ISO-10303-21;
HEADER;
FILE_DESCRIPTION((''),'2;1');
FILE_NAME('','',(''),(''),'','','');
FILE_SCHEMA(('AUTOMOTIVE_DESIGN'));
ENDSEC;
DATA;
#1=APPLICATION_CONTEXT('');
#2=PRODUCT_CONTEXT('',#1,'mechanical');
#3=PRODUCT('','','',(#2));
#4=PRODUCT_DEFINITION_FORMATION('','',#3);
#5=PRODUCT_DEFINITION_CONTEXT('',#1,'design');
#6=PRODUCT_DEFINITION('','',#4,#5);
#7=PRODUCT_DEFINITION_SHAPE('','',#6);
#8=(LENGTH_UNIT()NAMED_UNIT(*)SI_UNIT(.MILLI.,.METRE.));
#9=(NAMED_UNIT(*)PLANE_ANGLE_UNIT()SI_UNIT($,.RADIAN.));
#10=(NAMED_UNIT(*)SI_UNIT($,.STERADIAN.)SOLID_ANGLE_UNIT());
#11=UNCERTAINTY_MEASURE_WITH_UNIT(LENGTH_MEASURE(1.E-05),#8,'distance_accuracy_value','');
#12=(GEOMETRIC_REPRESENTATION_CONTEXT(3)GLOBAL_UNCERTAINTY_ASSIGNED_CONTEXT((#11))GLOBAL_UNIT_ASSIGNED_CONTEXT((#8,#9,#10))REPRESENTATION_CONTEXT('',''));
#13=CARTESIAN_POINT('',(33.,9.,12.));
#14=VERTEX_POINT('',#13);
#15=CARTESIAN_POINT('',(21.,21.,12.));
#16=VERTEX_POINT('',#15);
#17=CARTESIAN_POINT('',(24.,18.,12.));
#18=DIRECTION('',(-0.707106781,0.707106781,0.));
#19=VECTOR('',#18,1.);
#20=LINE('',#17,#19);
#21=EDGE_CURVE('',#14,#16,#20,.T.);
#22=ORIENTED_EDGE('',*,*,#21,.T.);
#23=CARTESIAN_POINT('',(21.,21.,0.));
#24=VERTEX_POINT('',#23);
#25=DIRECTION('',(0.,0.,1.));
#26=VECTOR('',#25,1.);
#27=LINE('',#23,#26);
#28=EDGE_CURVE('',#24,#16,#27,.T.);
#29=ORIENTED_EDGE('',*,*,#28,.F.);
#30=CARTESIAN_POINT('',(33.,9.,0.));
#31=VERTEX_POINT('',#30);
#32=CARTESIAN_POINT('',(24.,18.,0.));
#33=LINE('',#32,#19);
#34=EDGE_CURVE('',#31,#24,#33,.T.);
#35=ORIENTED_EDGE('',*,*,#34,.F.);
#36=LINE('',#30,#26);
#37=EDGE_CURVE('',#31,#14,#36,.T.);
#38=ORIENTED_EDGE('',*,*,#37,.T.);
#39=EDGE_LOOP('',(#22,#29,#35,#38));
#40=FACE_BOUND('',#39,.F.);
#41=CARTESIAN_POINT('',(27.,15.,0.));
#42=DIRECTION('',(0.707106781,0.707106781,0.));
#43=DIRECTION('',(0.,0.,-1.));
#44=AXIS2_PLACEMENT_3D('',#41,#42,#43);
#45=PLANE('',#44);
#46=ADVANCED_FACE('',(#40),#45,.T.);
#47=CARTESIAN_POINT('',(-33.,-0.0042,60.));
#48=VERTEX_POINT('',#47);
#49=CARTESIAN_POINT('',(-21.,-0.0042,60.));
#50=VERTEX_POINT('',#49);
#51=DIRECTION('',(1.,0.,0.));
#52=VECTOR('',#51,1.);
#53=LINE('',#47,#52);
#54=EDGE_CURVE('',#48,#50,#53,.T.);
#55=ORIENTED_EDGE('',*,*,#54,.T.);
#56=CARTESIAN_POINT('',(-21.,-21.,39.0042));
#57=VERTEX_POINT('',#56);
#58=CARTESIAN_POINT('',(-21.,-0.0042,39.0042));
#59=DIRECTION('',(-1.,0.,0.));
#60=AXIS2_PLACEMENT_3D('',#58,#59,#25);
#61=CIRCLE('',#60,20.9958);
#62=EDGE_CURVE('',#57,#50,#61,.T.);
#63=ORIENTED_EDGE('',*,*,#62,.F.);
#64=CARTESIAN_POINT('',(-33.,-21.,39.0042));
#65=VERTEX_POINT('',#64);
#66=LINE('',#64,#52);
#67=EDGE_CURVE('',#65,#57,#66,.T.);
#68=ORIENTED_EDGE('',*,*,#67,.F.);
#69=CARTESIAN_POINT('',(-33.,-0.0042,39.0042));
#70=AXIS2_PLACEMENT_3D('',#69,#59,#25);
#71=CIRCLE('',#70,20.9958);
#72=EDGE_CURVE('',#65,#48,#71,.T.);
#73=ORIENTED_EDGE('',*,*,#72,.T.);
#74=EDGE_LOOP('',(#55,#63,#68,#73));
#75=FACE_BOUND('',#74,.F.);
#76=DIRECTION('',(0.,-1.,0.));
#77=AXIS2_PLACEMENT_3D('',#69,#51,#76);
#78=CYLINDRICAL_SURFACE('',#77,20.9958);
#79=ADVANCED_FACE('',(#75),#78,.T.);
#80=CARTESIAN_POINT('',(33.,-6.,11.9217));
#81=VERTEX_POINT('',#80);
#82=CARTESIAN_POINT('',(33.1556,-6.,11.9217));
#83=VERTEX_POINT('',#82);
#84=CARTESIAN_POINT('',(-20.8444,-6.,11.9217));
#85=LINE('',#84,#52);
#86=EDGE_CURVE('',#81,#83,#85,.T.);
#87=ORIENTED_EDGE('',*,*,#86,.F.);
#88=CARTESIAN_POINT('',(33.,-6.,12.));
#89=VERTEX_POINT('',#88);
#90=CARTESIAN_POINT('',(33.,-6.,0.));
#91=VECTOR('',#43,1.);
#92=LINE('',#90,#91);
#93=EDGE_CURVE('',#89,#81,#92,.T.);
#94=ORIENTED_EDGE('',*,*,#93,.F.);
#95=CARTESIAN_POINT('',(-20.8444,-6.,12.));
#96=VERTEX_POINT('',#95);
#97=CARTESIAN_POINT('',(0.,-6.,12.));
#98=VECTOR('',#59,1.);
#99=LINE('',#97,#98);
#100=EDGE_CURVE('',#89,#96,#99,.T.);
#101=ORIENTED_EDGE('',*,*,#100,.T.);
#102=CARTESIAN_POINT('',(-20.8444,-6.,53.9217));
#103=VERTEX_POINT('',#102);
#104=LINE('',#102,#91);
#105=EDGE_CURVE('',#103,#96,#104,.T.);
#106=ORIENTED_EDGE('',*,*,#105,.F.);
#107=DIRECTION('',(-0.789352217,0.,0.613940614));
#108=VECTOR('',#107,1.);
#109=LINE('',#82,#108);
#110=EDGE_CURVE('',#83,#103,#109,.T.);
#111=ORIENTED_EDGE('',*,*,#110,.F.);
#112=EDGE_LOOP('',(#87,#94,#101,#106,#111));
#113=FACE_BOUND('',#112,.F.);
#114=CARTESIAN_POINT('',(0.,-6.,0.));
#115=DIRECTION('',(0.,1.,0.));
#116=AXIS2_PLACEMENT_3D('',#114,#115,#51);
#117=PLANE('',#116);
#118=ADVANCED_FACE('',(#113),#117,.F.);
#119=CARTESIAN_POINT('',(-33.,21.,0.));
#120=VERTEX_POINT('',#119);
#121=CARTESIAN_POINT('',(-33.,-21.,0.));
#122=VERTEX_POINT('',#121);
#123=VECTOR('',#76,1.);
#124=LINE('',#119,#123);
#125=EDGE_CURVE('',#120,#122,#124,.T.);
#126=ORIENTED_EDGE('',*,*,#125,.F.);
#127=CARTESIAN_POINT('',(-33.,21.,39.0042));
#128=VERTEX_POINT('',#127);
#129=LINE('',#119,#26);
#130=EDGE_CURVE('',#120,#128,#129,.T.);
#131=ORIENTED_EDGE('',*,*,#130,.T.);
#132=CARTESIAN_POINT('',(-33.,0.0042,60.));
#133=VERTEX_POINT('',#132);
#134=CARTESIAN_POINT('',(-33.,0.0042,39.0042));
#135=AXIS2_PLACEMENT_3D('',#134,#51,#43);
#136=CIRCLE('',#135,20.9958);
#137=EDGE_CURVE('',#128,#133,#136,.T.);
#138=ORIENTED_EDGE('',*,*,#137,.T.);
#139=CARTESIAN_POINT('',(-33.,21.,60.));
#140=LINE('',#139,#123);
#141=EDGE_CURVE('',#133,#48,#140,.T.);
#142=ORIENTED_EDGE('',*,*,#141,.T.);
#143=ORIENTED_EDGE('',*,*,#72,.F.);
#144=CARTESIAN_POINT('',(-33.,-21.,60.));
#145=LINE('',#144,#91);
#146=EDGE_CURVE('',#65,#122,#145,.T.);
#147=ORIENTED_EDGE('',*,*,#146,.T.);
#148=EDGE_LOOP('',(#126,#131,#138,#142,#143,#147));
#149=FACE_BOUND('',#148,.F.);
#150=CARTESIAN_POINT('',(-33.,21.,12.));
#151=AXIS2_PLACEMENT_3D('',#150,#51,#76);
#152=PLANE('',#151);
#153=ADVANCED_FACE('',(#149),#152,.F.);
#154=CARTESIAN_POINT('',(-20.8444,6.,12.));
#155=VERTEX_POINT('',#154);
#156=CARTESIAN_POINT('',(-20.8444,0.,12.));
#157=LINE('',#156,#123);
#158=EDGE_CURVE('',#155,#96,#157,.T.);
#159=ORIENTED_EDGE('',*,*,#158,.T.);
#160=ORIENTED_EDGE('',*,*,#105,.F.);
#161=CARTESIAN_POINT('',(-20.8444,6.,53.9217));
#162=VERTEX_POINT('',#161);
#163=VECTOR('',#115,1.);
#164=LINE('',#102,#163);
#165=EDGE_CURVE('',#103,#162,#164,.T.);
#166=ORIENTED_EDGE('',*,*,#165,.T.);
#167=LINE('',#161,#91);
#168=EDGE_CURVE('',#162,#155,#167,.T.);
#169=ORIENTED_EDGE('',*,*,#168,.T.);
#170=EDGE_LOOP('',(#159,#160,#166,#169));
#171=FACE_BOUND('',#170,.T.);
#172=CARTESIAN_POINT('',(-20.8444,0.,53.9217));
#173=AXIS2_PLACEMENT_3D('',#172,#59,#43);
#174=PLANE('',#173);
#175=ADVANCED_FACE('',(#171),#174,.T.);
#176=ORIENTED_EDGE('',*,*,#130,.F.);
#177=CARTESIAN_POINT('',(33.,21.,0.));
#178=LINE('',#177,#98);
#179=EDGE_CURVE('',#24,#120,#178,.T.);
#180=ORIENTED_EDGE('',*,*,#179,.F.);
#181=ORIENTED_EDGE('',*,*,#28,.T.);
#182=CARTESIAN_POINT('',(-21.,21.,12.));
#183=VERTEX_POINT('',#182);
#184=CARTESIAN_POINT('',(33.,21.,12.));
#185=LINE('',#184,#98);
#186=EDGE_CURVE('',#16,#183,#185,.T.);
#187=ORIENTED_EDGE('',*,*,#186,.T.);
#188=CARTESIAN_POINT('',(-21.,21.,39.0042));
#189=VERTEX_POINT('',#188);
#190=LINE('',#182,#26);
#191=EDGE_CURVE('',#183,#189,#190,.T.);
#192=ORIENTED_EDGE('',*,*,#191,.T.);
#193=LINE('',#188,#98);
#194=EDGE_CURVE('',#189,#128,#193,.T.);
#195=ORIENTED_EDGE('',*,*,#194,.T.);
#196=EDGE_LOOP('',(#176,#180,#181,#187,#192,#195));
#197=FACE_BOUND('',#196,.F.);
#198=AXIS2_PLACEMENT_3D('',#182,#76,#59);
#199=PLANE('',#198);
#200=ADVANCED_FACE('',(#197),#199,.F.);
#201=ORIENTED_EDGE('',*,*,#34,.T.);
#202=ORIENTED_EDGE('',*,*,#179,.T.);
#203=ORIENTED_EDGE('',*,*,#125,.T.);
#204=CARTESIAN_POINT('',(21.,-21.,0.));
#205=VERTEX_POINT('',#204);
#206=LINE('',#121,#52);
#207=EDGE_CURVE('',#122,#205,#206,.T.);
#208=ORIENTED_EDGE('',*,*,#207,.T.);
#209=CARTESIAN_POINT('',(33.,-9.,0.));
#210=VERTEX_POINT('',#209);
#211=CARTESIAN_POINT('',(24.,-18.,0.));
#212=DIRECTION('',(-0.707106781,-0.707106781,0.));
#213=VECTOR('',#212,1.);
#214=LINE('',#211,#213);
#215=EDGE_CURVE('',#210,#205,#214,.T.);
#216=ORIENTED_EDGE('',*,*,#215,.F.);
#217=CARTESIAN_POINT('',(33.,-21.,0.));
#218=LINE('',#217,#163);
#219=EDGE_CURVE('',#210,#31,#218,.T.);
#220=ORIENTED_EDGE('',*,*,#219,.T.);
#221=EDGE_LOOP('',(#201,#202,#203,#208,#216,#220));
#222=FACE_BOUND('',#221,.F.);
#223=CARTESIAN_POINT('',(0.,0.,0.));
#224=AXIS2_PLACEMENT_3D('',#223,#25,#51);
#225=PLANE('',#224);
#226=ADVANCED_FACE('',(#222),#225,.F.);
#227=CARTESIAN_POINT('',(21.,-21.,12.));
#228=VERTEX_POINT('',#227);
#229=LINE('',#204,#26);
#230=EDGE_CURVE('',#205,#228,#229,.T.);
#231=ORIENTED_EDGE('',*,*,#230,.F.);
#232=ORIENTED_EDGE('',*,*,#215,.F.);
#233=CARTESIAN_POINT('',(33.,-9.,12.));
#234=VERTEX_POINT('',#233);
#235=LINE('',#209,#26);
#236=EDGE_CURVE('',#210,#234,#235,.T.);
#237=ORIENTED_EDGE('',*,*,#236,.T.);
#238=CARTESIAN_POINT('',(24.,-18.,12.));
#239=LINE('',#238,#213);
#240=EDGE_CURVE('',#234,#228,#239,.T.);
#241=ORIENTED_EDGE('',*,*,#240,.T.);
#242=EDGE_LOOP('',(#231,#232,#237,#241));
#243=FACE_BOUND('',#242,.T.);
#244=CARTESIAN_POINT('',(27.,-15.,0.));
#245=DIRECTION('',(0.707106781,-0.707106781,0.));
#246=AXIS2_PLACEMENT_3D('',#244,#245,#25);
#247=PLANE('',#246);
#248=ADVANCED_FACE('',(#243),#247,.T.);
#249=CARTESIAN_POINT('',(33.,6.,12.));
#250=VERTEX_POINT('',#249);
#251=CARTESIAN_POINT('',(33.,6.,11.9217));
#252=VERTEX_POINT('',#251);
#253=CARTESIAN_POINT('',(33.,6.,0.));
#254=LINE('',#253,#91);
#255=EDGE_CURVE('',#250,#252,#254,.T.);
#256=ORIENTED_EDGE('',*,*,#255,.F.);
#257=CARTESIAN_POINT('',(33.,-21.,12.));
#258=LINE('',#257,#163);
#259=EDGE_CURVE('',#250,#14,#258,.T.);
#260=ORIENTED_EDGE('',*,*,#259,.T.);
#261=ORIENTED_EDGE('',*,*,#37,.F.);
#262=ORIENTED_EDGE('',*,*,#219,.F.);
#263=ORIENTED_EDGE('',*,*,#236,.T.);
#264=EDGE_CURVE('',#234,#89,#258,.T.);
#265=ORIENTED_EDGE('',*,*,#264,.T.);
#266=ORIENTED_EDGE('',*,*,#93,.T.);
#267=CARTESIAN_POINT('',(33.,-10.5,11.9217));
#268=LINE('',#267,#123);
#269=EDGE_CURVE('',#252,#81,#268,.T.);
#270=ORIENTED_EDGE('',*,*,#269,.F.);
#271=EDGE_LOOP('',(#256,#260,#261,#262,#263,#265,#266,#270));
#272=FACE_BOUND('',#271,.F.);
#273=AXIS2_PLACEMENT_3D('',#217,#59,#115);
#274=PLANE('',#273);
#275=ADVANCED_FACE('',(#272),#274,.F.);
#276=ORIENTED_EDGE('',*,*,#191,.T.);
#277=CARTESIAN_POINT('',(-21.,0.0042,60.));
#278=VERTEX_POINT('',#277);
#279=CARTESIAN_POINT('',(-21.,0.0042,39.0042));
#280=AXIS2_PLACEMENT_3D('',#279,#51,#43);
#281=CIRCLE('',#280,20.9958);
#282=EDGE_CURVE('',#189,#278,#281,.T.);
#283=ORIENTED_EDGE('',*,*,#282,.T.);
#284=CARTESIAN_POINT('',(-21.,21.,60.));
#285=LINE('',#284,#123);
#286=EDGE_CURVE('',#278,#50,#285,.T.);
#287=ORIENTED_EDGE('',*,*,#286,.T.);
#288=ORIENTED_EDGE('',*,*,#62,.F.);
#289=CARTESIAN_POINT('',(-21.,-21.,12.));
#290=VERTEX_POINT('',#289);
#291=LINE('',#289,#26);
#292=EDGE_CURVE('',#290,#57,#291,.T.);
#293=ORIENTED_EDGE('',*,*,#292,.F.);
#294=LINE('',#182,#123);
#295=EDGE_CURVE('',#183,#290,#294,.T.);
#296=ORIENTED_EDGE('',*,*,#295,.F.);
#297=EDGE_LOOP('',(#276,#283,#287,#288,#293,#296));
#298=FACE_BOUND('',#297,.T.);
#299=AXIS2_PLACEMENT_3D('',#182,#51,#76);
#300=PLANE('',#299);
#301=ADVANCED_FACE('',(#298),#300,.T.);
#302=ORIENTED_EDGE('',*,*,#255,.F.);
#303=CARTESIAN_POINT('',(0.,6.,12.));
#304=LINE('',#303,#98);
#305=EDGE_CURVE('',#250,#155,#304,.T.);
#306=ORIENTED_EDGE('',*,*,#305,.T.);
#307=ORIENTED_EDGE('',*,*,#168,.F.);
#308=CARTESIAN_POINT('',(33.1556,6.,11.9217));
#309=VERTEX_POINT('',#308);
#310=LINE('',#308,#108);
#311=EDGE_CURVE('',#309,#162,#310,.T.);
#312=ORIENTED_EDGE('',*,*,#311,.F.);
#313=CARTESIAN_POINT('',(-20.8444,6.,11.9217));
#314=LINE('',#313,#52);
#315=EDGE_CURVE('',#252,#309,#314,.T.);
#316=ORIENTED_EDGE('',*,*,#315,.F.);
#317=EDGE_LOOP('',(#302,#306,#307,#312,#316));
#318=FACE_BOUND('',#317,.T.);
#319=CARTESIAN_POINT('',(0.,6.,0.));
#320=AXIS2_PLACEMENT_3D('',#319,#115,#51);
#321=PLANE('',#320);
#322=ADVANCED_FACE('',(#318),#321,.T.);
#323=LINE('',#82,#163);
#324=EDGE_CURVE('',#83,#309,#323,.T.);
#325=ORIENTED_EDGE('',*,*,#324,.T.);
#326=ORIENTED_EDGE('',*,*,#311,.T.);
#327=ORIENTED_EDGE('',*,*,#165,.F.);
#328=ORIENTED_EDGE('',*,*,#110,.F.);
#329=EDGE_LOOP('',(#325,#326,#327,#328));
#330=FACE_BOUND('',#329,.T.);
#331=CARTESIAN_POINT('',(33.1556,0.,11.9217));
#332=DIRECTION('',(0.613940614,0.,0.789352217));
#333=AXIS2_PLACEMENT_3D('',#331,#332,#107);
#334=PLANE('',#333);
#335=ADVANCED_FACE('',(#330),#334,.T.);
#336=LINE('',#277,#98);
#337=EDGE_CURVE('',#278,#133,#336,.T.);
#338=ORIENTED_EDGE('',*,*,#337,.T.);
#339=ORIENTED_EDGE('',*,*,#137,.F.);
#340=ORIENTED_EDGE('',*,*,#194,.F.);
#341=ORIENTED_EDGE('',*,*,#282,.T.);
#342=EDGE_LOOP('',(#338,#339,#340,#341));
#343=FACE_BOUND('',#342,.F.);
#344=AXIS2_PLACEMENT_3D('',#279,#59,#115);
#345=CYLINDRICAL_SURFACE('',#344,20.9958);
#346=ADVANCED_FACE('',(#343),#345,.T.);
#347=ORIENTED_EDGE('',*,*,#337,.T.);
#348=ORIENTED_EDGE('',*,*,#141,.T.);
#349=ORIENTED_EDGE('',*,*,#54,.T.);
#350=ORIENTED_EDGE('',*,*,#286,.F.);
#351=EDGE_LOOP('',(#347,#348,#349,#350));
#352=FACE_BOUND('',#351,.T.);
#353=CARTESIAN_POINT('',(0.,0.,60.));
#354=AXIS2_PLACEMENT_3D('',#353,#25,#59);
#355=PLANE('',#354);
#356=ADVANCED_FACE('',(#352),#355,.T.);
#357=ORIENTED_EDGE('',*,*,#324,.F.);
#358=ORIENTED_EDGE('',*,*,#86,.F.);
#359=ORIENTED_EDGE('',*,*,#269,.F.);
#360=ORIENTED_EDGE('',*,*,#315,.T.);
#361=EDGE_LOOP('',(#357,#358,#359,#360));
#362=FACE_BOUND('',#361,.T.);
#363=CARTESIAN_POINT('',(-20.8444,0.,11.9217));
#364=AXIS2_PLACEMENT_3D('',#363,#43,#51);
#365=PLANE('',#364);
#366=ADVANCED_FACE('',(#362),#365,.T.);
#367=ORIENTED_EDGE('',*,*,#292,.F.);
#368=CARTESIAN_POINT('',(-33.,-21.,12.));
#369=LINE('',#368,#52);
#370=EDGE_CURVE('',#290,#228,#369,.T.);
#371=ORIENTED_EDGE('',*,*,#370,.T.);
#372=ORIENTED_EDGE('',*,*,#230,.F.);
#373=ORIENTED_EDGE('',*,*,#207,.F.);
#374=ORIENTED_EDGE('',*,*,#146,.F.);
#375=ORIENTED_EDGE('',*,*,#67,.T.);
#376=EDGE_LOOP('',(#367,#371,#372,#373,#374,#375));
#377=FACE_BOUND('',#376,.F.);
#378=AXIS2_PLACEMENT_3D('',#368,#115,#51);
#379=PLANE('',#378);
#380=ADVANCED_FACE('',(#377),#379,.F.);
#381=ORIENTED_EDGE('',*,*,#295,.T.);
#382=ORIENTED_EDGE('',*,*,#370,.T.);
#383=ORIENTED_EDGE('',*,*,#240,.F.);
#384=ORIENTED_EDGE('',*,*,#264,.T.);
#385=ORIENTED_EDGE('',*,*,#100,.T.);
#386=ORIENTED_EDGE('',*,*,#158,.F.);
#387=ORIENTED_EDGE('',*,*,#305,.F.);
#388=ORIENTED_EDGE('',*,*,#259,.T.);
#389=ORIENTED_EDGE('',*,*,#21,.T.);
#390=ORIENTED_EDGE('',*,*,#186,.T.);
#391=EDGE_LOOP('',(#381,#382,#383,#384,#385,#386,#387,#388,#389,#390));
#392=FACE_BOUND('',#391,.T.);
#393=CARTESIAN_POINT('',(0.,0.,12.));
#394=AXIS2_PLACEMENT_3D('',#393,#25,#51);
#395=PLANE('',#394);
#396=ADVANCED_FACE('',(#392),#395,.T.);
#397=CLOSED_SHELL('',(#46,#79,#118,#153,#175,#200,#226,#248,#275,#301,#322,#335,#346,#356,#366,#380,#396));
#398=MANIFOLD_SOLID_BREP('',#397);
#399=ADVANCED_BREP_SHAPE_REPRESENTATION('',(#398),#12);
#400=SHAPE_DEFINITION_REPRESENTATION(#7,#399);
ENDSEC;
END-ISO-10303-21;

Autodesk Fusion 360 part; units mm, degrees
sketch "Sketch1" plane through (0, 0, 0) normal (0, 0, 1) x (1, 0, 0)
  line L0 (33, 21) -> (-33, 21)
  line L1 (-33, 21) -> (-33, -21)
  line L2 (-33, -21) -> (33, -21)
  line L3 (33, -21) -> (33, 21)
  line L4 (33, 21) -> (-33, -21) construction
  line L5 (-33, 21) -> (33, -21) construction
  dimension "d1" = 66
  dimension "d2" = 42
extrude "Extrude1" add sketch "Sketch1" along normal blind 12
chamfer "Chamfer1" distance 12 angle 45 2 edges at (33, -21, 6) (33, 21, 6)
sketch "Sketch2" plane through (0, 0, 12) normal (0, 0, 1) x (-1, 0, 0)
  line L0 (-33, -9) -> (-21, -21)
  line L1 (-21, -21) -> (33, -21)
  line L2 (33, -21) -> (33, 21)
  line L3 (33, 21) -> (-21, 21)
  line L4 (-21, 21) -> (-33, 9)
  line L5 (-33, 9) -> (-33, -9)
  line L6 (33, -21) -> (21, -21)
  line L7 (21, -21) -> (21, 21)
  line L8 (21, 21) -> (33, 21)
  line L9 (33, 21) -> (33, -21)
  dimension "d6" = 12
extrude "Extrude2" add sketch "Sketch2" along normal blind 48 contours L1 L2 L3 L6 L7 L8 L9
fillet "Fillet1" radius 21 2 edges at (-27, -21, 60) (-27, 21, 60)
sketch "Sketch3" plane through (0, 0, 0) normal (0, 1, 0) x (1, 0, 0)
  line L0 (-20.8444, -53.9217) -> (-20.8444, -11.9217)
  line L1 (-20.8444, -11.9217) -> (33.1556, -11.9217)
  line L2 (33.1556, -11.9217) -> (-20.8444, -53.9217)
  dimension "d10" = 42
  dimension "d11" = 54
extrude "Extrude3" add sketch "Sketch3" along normal mid plane 12
equation "d7 = 60 mm - 12 mm"
equation "d11 = 66 mm - 12 mm"
